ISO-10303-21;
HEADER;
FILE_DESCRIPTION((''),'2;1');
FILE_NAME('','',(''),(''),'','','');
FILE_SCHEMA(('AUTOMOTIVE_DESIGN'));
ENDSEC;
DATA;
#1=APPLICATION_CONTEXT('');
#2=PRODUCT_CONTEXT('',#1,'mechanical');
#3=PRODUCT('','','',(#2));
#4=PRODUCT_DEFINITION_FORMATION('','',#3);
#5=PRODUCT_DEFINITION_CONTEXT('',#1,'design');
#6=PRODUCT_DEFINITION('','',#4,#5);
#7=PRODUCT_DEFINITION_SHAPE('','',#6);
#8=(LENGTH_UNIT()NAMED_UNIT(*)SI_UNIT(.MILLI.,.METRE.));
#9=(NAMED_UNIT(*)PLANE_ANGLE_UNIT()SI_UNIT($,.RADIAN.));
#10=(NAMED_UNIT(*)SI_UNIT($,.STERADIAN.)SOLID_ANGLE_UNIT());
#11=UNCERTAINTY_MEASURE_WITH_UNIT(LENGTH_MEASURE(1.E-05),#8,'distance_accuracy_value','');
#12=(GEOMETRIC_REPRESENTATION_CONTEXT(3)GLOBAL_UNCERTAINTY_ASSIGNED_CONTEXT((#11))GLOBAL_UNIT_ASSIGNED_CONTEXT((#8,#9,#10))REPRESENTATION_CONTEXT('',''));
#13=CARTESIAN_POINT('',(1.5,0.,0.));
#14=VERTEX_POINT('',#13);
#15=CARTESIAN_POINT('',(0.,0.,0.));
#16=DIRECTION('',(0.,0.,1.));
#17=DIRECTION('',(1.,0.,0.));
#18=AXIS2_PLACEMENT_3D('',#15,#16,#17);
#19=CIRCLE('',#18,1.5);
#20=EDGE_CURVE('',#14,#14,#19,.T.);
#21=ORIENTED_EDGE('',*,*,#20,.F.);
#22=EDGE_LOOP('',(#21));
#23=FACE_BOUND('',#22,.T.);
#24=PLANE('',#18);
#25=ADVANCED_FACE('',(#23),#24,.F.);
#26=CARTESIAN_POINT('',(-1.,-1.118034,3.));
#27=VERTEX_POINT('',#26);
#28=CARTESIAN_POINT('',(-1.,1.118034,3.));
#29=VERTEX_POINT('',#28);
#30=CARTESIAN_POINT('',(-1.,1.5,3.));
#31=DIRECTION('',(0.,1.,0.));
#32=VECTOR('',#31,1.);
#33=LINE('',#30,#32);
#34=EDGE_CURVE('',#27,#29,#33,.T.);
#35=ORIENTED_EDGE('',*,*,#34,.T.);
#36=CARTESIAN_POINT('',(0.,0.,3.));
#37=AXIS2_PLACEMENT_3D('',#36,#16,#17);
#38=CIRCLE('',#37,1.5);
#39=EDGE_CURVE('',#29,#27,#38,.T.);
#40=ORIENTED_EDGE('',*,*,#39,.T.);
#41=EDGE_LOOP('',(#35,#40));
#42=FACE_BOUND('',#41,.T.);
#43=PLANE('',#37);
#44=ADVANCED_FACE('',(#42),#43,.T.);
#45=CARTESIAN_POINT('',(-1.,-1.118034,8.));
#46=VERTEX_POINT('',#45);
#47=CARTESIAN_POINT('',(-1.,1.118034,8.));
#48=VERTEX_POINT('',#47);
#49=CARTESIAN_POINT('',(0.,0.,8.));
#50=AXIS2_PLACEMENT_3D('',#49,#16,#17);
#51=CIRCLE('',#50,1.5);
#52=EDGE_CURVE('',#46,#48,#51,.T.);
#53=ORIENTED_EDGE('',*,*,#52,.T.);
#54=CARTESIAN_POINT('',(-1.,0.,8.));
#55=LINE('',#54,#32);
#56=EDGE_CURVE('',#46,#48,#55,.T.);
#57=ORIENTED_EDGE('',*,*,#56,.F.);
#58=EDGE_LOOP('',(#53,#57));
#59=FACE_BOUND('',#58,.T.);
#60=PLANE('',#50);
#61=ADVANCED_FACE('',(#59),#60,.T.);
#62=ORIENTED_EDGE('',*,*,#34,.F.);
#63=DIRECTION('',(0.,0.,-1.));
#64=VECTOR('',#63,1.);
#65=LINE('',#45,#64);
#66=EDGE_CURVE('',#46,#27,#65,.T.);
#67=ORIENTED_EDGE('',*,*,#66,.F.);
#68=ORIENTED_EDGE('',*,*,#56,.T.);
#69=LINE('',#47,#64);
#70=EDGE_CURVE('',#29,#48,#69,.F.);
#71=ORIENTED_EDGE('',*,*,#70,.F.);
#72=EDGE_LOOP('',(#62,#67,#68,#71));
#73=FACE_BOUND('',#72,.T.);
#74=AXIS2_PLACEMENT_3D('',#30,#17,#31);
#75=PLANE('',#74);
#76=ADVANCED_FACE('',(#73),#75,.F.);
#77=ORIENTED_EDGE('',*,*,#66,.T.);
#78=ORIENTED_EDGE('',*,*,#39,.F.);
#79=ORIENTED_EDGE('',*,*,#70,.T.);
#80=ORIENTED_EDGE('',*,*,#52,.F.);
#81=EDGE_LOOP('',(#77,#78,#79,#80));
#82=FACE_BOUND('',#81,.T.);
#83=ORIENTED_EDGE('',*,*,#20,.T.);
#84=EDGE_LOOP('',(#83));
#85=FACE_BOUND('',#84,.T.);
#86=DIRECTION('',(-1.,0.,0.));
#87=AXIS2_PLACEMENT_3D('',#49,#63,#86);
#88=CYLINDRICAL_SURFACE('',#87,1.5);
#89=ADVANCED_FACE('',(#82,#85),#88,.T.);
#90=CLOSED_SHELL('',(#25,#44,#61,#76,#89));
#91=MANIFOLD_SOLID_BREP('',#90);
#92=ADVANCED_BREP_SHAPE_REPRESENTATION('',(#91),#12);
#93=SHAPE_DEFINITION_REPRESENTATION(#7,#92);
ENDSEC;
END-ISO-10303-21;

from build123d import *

# Parameters (mm, degrees)
SKETCH1_R           = 1.5
BOSS_EXTRUDE1_DEPTH = 8
SKETCH2_W           = 0.6
SKETCH2_H           = 3
CUT_EXTRUDE1_DEPTH  = 5


with BuildPart() as part:
    # Sketch1 → Boss-Extrude1 (new body)
    with BuildSketch(Plane.XY):
        Circle(SKETCH1_R)
    extrude(amount=BOSS_EXTRUDE1_DEPTH)

    # Sketch2 → Cut-Extrude1 (cut)
    with BuildSketch(Plane.XY.offset(8)):
        with Locations((-1.3, 0)):
            Rectangle(SKETCH2_W, SKETCH2_H)
    extrude(amount=-CUT_EXTRUDE1_DEPTH, mode=Mode.SUBTRACT)


solid = part.part
